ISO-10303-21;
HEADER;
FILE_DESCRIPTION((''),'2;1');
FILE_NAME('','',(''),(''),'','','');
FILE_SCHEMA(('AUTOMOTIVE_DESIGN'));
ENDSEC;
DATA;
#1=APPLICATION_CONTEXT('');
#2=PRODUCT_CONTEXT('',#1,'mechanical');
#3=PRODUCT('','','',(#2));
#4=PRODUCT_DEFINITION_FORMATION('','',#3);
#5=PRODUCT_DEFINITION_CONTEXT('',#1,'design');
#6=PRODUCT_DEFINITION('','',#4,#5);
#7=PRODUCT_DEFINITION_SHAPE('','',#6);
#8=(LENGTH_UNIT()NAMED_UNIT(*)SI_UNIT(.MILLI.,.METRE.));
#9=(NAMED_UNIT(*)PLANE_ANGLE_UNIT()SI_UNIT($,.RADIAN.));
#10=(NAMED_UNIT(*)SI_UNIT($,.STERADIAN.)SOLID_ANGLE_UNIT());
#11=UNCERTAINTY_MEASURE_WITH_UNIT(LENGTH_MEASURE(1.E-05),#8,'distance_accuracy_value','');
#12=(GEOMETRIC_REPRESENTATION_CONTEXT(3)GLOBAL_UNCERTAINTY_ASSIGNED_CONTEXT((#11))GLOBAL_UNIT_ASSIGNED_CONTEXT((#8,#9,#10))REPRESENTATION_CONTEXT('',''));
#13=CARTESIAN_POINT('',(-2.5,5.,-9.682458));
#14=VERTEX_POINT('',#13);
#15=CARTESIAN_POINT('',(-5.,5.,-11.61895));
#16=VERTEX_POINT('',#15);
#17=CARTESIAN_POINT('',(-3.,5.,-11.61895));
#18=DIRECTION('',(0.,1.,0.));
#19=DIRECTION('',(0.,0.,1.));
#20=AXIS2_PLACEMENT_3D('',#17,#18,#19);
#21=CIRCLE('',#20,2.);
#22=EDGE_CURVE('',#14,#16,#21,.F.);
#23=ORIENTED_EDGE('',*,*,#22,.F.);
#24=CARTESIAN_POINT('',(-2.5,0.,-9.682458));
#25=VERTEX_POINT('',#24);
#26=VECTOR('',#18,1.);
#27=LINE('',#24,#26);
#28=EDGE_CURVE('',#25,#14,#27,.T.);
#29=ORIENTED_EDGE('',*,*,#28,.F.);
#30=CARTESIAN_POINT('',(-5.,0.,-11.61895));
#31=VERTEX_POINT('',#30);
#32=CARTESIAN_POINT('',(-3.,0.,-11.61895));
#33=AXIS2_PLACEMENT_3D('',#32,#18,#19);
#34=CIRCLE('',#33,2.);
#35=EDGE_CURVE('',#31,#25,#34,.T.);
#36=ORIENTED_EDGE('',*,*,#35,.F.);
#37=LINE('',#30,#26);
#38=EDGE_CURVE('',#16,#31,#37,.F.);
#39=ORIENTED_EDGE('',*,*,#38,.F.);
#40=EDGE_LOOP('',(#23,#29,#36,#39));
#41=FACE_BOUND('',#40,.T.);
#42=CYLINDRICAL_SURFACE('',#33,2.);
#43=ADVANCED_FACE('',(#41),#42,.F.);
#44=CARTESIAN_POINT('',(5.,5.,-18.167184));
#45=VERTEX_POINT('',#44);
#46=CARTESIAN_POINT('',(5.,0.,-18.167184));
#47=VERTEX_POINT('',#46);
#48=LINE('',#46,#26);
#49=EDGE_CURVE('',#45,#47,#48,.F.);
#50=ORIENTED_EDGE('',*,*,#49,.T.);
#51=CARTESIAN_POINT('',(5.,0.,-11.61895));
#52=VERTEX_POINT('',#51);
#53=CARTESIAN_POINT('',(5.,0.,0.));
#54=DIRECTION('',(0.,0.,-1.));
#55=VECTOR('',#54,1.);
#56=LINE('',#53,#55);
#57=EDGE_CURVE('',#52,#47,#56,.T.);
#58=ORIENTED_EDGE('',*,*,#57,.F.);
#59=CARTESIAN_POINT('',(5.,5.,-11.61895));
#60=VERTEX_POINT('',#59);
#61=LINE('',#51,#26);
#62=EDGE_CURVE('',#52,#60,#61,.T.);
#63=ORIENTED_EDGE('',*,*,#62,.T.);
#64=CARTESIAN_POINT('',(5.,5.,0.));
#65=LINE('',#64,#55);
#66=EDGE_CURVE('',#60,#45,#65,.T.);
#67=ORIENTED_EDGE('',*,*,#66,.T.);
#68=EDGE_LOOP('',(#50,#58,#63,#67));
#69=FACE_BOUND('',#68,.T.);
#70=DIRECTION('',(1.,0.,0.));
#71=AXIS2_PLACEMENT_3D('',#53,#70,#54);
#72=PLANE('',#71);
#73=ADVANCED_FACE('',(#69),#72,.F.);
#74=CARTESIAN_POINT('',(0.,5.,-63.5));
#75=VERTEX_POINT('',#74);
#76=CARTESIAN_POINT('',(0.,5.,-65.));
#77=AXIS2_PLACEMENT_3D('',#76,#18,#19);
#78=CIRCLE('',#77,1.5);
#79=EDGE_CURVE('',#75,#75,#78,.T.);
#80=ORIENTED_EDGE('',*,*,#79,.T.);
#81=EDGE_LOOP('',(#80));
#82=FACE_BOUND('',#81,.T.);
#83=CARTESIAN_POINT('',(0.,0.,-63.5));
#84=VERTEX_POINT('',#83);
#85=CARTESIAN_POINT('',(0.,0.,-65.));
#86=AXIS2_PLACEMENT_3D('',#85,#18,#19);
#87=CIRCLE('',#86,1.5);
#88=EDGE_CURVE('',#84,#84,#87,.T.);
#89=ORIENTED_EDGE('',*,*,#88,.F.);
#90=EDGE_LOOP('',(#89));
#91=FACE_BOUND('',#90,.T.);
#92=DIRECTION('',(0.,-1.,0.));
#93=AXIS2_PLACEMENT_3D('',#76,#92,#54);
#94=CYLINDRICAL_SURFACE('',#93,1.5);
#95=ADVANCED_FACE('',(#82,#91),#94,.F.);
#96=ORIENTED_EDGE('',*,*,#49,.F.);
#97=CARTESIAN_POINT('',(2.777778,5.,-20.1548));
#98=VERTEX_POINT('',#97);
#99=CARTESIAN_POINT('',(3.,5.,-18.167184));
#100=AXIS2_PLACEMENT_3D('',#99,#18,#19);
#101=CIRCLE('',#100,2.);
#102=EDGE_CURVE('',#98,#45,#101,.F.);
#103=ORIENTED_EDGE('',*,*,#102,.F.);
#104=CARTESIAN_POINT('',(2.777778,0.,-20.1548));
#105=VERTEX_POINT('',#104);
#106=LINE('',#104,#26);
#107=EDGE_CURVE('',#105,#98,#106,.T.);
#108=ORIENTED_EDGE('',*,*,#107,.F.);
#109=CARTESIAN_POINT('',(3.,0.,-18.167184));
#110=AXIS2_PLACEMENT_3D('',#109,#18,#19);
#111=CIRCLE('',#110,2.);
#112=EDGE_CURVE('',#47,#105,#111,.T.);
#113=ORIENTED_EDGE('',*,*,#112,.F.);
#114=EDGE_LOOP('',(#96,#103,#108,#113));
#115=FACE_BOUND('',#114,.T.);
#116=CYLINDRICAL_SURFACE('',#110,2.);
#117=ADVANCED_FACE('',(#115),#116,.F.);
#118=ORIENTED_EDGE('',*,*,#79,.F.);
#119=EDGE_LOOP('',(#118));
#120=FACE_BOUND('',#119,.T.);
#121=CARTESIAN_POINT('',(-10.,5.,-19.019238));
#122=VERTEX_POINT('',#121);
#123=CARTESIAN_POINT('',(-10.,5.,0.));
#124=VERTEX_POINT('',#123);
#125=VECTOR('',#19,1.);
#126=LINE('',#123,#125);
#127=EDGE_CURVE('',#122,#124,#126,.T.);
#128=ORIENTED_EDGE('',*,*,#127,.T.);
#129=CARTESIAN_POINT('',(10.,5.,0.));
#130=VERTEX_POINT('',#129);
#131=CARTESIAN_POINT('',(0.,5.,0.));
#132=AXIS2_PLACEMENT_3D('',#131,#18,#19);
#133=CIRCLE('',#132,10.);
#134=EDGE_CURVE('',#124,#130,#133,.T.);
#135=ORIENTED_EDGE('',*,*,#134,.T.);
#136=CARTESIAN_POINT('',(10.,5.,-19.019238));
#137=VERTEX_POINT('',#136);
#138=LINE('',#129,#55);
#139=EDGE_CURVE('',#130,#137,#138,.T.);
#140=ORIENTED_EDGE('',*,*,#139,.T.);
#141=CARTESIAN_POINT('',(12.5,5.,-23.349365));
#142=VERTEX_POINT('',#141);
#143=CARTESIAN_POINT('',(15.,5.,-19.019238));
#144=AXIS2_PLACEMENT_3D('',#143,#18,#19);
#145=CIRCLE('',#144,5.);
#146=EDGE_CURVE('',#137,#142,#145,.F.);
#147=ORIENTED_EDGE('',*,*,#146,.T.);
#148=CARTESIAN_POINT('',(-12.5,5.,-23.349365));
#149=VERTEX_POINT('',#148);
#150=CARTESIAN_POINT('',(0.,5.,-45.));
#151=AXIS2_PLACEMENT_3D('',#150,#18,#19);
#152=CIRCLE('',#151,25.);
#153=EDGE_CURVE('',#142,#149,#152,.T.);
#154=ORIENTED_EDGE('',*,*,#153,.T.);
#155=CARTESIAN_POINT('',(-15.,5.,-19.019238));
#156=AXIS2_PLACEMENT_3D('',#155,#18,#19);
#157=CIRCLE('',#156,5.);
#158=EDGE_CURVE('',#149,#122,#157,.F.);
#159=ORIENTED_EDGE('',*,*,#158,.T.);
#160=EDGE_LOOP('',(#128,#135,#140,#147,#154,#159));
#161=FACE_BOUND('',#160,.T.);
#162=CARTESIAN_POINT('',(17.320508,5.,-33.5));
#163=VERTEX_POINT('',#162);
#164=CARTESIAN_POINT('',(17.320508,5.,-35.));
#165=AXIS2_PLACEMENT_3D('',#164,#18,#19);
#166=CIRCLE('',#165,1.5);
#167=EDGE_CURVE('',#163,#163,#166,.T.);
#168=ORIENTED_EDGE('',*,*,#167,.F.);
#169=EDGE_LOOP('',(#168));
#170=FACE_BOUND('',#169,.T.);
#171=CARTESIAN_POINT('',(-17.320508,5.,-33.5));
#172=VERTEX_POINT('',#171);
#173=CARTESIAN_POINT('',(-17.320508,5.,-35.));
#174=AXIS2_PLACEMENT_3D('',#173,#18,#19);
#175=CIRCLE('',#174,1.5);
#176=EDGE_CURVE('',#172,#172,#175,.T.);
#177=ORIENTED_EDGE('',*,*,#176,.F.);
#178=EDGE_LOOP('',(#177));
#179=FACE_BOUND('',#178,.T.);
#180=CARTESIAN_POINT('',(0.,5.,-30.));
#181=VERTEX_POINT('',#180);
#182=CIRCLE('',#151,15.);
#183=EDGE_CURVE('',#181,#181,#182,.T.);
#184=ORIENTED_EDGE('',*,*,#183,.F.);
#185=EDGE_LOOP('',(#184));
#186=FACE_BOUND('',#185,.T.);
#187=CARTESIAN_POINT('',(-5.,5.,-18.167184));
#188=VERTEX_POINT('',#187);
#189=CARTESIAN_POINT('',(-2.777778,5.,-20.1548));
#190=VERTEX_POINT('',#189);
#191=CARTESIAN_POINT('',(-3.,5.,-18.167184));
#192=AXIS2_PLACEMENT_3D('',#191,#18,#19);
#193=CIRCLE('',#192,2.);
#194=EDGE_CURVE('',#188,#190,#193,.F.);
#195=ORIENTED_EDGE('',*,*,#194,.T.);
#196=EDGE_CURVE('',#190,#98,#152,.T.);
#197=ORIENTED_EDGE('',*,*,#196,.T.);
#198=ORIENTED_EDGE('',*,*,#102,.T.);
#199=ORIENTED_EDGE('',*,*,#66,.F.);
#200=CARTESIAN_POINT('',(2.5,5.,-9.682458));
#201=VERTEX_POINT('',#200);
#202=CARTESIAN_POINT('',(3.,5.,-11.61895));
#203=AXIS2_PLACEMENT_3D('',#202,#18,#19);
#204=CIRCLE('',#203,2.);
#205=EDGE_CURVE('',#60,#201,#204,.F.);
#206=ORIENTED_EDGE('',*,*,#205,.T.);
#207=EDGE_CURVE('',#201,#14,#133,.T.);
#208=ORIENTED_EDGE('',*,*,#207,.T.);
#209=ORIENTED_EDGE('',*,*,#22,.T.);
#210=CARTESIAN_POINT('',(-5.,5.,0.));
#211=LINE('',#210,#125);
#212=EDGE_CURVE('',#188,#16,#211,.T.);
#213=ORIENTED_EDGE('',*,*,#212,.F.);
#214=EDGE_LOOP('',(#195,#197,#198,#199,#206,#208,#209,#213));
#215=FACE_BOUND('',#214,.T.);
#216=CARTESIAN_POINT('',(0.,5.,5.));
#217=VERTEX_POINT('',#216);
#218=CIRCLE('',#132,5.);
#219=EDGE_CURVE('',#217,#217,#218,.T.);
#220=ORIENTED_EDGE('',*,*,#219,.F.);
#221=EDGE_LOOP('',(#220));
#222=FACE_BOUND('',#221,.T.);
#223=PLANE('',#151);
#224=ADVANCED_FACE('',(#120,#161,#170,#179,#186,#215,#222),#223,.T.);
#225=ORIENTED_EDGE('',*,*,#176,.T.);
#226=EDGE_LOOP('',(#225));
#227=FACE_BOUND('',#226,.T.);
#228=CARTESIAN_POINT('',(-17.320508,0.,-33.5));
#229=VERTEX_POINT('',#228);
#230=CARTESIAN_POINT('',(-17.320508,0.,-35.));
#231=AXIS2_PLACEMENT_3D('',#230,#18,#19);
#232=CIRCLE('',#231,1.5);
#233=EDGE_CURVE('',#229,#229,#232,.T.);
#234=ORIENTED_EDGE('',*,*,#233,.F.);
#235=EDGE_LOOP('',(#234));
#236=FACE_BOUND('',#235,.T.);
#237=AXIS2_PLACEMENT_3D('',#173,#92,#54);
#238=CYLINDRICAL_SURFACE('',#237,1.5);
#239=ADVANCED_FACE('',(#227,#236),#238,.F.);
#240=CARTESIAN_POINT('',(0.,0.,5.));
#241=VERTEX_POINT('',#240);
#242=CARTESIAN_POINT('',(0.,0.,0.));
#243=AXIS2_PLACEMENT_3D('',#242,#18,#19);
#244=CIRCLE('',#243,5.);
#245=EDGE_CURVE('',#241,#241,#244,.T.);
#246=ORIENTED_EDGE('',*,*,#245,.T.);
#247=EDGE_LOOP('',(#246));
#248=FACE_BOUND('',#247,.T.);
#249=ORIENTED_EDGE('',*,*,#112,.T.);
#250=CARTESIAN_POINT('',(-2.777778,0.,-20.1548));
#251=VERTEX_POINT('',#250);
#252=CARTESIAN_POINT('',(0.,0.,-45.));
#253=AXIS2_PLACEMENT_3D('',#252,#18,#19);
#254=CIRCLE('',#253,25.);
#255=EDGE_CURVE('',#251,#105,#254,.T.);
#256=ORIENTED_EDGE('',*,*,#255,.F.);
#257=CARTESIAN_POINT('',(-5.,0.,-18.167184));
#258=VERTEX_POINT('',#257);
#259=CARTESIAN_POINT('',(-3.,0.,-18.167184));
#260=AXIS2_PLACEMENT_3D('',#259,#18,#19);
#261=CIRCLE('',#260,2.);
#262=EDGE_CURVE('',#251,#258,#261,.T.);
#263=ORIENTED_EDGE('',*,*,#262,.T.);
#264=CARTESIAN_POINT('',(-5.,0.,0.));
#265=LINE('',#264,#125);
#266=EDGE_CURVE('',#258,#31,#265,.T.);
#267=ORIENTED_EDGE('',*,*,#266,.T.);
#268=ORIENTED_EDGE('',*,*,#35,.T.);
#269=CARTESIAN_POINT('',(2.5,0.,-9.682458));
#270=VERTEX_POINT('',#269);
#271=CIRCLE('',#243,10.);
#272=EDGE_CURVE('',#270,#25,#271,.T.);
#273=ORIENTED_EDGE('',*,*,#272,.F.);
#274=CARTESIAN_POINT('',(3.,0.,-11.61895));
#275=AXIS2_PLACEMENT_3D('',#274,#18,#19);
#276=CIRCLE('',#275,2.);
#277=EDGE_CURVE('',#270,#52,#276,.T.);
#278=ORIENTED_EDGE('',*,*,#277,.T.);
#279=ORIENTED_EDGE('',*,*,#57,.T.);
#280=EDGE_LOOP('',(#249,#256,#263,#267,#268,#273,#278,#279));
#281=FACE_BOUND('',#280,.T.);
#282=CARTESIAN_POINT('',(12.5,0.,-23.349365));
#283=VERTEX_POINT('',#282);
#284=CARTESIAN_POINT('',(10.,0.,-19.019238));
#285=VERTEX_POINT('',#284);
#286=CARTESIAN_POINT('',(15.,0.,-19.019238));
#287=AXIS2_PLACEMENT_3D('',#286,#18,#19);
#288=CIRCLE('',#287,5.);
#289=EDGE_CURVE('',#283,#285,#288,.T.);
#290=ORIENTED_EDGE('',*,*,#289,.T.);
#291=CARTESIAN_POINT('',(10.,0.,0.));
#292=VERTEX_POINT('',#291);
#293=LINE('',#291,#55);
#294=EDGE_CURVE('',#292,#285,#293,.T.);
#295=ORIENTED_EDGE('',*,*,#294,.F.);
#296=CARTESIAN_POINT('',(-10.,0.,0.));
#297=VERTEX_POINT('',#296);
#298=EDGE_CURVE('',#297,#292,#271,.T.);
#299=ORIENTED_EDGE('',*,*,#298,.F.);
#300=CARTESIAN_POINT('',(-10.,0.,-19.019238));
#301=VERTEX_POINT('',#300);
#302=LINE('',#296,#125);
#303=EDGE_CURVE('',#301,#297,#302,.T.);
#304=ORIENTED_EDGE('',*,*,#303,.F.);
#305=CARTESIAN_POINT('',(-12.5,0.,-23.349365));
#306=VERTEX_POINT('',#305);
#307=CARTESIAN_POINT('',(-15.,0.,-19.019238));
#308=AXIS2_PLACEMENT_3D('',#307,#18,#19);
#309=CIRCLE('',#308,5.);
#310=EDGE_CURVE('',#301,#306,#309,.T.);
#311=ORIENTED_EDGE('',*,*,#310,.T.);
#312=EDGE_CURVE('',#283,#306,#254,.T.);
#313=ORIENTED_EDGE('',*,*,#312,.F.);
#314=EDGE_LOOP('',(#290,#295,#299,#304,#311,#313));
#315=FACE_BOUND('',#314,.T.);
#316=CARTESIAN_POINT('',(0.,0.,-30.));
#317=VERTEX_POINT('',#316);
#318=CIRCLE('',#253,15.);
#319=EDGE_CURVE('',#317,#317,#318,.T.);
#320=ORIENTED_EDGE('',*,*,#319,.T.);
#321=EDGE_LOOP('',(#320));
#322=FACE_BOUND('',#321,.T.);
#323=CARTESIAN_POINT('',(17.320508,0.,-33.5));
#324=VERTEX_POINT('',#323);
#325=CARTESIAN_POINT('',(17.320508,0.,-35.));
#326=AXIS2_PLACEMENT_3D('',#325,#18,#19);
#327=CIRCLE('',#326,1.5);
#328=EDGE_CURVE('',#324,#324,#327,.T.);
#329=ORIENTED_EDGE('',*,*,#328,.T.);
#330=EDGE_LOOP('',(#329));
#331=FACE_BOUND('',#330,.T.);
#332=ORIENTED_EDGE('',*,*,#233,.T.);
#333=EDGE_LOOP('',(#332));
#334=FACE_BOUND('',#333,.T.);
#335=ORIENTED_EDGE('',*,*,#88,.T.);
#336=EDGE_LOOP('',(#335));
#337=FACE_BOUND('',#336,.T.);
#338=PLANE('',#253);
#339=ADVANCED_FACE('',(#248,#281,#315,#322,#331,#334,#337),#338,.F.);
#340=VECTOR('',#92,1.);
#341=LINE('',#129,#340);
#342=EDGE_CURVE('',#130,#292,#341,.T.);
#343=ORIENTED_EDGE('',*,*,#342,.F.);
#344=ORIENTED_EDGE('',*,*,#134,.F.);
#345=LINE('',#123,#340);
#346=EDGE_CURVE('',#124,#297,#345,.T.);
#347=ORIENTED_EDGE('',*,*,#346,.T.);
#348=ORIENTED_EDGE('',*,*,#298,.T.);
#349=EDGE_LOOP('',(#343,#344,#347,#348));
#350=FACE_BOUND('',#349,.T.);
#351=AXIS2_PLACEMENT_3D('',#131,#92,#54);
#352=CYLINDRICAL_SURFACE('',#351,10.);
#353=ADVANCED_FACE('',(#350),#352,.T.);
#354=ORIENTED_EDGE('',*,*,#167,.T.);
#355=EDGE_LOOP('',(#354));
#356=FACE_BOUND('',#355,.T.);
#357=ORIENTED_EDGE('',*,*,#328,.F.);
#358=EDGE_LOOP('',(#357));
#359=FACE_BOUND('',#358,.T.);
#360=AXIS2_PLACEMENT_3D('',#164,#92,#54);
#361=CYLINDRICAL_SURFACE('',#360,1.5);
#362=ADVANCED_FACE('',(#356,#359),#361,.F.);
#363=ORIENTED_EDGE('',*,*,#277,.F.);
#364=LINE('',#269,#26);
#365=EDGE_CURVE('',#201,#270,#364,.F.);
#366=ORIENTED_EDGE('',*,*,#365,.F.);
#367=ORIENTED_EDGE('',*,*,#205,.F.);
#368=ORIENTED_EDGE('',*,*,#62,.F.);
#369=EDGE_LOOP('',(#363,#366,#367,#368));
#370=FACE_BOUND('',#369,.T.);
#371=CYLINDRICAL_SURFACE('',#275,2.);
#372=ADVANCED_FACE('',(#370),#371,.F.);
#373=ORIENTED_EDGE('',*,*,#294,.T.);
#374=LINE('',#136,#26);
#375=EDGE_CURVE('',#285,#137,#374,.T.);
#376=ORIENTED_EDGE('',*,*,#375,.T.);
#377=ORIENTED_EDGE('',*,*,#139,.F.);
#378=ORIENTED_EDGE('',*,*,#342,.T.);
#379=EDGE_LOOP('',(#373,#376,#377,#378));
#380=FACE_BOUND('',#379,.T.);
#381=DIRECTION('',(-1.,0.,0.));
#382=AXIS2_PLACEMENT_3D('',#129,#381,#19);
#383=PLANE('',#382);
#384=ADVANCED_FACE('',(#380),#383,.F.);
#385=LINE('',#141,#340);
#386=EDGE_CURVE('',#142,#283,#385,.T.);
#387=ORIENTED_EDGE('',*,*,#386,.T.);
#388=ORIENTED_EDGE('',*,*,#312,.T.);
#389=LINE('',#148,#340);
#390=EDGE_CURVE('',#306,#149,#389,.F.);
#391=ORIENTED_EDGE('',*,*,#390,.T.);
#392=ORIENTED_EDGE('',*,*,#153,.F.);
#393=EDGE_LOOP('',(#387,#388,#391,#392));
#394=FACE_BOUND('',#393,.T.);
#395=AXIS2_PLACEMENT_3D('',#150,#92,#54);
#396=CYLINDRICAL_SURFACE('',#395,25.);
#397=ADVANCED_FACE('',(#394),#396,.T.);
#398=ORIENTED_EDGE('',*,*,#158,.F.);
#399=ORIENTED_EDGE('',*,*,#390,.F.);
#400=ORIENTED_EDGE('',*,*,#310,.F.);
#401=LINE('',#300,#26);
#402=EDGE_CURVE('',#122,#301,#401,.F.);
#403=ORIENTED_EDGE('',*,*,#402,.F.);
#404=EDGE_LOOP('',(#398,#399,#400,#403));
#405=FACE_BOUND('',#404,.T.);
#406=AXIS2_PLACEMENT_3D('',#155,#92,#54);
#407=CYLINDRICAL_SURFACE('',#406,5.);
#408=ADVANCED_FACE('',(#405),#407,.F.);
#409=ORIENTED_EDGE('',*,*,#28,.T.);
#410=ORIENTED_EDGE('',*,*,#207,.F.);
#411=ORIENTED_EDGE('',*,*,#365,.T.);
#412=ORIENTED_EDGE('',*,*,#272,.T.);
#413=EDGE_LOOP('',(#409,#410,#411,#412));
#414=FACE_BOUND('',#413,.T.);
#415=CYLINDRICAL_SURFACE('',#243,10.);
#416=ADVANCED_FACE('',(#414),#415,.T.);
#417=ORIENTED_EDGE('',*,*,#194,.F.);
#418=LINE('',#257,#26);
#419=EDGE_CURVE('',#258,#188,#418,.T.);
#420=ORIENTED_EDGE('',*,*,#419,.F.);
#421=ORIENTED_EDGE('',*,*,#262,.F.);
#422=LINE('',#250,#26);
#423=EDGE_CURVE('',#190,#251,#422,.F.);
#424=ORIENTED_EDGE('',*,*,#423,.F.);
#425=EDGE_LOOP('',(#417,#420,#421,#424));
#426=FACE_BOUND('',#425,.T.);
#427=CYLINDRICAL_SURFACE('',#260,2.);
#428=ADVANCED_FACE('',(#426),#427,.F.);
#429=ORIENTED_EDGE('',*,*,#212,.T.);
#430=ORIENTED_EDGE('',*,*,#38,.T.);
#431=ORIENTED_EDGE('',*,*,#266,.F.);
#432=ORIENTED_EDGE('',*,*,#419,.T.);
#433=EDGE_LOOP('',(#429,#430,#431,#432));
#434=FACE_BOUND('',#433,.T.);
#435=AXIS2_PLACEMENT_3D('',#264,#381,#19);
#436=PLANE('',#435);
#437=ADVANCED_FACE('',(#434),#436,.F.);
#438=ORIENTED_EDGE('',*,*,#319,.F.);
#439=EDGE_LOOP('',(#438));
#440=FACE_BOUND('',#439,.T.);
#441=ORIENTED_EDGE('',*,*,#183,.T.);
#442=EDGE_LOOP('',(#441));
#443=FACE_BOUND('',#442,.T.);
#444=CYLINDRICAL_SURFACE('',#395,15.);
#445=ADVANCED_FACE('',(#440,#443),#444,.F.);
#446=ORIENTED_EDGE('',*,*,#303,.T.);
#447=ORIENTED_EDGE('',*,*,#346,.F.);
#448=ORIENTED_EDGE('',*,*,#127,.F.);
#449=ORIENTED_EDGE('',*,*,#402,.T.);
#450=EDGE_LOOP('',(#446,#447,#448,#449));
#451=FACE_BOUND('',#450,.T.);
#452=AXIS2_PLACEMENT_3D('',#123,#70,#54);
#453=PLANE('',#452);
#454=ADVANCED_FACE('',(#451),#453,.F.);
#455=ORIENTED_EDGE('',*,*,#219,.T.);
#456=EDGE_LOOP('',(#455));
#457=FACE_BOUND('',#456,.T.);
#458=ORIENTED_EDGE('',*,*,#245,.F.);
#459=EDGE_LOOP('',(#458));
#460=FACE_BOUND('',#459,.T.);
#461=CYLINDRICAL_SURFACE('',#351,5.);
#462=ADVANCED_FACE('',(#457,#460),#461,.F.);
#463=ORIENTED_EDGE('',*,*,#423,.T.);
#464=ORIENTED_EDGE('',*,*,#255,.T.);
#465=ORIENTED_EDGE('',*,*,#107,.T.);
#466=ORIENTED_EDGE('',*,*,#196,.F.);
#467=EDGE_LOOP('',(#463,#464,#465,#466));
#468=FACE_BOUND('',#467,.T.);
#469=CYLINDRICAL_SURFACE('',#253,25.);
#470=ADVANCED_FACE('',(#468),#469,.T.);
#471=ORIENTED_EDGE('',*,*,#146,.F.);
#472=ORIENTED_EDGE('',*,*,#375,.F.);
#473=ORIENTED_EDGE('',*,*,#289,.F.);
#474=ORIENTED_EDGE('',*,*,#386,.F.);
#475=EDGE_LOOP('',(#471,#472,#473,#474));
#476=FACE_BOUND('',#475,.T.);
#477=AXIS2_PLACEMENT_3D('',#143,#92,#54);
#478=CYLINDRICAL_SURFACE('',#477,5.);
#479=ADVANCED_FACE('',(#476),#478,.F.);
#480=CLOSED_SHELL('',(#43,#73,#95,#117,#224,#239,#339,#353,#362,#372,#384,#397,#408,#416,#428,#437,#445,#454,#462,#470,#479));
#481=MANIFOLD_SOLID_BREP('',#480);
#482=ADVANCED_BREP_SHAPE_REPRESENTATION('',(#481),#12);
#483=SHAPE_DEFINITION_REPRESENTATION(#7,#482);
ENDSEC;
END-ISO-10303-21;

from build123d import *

# Parameters (mm, degrees)
SKETCH_1_R          = 5
SKETCH_1_R_2        = 15
SKETCH_1_R_3        = 1.5
EXTRUDE_1_DEPTH     = 5
CUT_EXTRUDE_1_DEPTH = 75.498322129
FILLET_1_R          = 2
FILLET_2_R          = 5


with BuildPart() as part:
    # 草图1 → 凸台-拉伸1 (new body)
    with BuildSketch(Plane(origin=(0, 0, 0), x_dir=(1, 0, 0), z_dir=(0, 1, 0))):
        with BuildLine():
            Line((-10, 0), (-10, 22.087121525))
            ThreePointArc((-10, 22.087121525), (0, 70), (10, 22.087121525))
            Line((10, 22.087121525), (10, 0))
            ThreePointArc((10, 0), (0, -10), (-10, 0))
        make_face()
        with Locations(Location((0, 0, 0), (0, 0, 270))):
            Circle(SKETCH_1_R, mode=Mode.SUBTRACT)
        with Locations(Location((0, 45, 0), (0, 0, 270))):
            Circle(SKETCH_1_R_2, mode=Mode.SUBTRACT)
        with Locations(Location((0, 65, 0), (0, 0, 270))):
            Circle(SKETCH_1_R_3, mode=Mode.SUBTRACT)
        with Locations(Location((17.320508076, 35, 0), (0, 0, 270))):
            Circle(SKETCH_1_R_3, mode=Mode.SUBTRACT)
        with Locations(Location((-17.320508076, 35, 0), (0, 0, 270))):
            Circle(SKETCH_1_R_3, mode=Mode.SUBTRACT)
    extrude(amount=EXTRUDE_1_DEPTH)

    # 草图2 → 切除-拉伸1 (cut, through all)
    with BuildSketch(Plane(origin=(0, 5, 0), x_dir=(1, 0, 0), z_dir=(0, 1, 0))):
        with BuildLine():
            ThreePointArc((5, 20.505102572), (0, 20), (-5, 20.505102572))
            Line((-5, 20.505102572), (-5, 8.660254038))
            ThreePointArc((-5, 8.660254038), (0, 10), (5, 8.660254038))
            Line((5, 8.660254038), (5, 20.505102572))
        make_face()
    extrude(amount=-CUT_EXTRUDE_1_DEPTH, mode=Mode.SUBTRACT)

    # 圆角1
    fillet_1_edges = [part.edges().sort_by_distance(p)[0] for p in [
        (5, 2.5, -8.660254038),
        (-5, 2.5, -8.660254038),
        (-5, 2.5, -20.505102572),
        (5, 2.5, -20.505102572),
    ]]
    fillet(fillet_1_edges, radius=FILLET_1_R)

    # 圆角2
    fillet_2_edges = [part.edges().sort_by_distance(p)[0] for p in [
        (10, 2.5, -22.087121525),
        (-10, 2.5, -22.087121525),
    ]]
    fillet(fillet_2_edges, radius=FILLET_2_R)


solid = part.part
